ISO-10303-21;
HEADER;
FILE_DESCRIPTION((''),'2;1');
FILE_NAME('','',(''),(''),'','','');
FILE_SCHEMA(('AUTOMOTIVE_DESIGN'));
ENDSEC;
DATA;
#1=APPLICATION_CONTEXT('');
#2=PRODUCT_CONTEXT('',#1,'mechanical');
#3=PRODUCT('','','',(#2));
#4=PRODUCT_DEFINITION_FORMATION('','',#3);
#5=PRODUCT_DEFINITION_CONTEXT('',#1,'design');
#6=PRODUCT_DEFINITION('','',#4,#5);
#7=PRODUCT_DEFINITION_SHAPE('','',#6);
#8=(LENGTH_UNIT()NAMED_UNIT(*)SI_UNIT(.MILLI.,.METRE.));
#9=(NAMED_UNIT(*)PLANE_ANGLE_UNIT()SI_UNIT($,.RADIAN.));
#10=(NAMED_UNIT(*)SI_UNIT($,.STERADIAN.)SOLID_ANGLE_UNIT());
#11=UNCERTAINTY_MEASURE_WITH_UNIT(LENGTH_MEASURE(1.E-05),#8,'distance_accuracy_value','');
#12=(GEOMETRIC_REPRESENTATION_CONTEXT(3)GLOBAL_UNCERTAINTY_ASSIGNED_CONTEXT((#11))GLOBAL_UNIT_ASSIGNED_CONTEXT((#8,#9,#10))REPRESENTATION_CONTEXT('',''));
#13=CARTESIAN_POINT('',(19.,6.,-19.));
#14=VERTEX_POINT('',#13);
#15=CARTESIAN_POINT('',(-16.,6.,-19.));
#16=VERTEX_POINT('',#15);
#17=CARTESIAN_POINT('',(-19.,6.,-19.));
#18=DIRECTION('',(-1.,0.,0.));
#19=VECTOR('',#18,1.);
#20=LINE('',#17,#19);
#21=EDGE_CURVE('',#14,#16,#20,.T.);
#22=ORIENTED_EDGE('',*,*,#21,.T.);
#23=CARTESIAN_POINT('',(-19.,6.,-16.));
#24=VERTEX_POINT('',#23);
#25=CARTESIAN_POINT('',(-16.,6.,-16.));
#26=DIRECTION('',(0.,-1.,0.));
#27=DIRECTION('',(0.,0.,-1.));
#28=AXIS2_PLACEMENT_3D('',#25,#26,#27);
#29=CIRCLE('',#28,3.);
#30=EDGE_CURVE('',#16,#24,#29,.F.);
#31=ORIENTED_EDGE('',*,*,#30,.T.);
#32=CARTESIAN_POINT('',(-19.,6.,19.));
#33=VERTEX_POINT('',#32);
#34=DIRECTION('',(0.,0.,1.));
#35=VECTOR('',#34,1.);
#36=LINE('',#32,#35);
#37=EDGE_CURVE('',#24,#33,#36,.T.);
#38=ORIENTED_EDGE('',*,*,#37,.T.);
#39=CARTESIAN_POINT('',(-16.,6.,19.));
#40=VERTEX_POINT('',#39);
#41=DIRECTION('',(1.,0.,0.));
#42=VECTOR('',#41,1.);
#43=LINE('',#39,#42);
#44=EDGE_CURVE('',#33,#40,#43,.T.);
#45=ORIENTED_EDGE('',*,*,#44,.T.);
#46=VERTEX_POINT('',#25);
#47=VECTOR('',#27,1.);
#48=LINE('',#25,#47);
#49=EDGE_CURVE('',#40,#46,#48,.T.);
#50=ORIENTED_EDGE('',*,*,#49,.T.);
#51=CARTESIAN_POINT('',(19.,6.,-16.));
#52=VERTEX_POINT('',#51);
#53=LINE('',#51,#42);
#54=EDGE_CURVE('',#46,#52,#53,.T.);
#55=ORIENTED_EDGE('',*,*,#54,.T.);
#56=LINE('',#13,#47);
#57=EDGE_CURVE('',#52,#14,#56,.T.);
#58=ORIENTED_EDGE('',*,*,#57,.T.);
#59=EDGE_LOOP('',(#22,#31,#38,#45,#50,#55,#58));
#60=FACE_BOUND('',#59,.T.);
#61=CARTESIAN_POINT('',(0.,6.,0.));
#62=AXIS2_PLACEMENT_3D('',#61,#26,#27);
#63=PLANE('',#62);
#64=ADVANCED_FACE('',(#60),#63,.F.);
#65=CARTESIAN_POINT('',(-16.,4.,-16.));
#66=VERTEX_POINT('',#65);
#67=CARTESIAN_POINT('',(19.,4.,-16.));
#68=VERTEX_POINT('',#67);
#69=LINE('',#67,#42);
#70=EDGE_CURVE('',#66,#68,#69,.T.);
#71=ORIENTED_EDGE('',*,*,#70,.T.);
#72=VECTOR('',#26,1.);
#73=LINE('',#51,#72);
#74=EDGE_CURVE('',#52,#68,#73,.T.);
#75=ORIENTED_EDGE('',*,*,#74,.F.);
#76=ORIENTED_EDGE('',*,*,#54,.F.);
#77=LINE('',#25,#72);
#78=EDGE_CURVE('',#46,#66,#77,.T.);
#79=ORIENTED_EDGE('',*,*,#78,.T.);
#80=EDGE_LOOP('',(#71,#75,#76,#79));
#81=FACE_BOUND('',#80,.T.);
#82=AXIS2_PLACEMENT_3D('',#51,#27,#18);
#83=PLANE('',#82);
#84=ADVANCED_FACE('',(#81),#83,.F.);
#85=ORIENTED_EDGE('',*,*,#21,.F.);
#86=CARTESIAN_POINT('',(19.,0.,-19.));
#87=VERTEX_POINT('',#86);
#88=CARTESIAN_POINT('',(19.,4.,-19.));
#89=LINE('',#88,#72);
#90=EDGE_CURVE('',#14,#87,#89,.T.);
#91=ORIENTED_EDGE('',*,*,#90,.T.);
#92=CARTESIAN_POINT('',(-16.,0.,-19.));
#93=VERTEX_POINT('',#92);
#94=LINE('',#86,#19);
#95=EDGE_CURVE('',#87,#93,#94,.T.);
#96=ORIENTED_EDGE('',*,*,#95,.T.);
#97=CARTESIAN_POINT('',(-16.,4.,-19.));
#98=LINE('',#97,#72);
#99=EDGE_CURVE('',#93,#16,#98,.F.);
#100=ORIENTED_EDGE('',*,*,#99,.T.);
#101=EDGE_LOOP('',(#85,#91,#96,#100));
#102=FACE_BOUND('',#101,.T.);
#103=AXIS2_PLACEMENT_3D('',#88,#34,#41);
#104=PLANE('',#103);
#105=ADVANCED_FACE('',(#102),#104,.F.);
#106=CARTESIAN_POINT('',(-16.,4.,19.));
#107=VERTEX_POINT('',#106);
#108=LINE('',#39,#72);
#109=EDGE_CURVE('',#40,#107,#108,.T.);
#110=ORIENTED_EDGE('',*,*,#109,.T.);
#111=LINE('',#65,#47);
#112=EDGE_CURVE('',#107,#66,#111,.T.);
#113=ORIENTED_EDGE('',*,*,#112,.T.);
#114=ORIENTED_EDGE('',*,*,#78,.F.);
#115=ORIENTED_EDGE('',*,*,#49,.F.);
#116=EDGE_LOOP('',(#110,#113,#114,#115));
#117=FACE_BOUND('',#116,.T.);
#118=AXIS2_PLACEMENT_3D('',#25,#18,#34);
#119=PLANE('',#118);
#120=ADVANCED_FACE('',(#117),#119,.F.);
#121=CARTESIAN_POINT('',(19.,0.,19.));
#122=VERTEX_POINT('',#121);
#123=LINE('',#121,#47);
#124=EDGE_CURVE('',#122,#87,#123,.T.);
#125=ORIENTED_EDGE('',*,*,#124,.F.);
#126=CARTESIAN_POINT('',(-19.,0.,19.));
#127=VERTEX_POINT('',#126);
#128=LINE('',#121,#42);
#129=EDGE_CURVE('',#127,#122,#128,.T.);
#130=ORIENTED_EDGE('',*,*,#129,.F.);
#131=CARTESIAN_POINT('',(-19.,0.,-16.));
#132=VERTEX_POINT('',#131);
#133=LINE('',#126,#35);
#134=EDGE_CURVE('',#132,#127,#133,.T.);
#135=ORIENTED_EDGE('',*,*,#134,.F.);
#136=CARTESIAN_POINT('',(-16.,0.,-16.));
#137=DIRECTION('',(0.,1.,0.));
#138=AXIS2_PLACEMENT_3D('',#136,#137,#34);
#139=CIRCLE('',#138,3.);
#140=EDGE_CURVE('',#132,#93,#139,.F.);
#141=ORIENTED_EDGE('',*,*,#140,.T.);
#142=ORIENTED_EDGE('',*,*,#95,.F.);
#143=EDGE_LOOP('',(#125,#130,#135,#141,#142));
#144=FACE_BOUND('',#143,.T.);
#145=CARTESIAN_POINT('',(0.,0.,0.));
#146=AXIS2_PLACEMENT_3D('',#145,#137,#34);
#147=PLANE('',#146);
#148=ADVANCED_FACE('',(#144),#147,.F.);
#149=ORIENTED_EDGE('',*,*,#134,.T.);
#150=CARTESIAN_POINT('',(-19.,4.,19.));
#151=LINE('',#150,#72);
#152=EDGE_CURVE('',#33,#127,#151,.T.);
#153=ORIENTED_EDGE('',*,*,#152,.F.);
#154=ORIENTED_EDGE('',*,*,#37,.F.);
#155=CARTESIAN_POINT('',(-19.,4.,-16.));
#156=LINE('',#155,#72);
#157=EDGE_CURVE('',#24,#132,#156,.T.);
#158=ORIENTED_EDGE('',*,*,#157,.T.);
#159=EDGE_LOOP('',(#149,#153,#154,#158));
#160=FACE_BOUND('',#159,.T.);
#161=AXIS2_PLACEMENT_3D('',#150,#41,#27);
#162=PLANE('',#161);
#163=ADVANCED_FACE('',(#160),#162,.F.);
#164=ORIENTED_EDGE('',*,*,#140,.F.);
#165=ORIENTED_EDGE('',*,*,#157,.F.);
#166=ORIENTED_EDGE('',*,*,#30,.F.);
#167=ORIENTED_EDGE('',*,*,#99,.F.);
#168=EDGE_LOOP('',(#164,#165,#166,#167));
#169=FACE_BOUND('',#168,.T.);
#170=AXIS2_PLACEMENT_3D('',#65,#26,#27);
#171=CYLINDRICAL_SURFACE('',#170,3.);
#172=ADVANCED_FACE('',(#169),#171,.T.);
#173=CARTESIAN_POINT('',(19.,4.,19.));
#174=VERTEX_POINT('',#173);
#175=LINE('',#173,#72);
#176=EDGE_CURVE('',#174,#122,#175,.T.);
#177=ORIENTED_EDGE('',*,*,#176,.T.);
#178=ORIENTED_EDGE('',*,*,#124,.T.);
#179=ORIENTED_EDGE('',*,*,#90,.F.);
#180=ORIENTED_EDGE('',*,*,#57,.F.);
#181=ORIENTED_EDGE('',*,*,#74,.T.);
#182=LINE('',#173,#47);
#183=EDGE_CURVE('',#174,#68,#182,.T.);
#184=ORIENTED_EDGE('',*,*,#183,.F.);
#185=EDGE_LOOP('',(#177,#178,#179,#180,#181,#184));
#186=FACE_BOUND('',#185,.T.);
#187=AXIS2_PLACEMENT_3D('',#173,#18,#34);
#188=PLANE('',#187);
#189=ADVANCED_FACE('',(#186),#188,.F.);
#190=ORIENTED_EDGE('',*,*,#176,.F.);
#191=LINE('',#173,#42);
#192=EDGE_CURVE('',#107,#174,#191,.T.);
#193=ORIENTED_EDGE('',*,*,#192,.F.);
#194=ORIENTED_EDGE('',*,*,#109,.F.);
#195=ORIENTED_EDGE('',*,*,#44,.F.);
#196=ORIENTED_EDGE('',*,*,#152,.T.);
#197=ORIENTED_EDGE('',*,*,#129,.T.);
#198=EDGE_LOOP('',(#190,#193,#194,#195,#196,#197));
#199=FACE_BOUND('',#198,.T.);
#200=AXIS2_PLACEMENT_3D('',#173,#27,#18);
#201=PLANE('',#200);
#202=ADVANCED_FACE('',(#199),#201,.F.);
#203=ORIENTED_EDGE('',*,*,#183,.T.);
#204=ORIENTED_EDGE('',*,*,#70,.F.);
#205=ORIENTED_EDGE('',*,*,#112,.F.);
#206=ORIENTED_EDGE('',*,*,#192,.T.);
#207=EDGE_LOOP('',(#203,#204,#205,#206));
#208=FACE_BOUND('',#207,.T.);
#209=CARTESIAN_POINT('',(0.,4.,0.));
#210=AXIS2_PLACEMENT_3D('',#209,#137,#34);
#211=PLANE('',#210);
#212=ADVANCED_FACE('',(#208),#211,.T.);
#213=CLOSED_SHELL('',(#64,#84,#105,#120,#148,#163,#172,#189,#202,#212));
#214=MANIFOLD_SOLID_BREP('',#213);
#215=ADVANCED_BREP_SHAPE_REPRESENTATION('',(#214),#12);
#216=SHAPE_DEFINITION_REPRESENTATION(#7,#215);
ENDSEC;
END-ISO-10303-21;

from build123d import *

# Parameters (mm, degrees)
SKETCH1_W           = 38
SKETCH1_H           = 38
BOSS_EXTRUDE1_DEPTH = 4
BOSS_EXTRUDE2_DEPTH = 2
FILLET1_R           = 3


with BuildPart() as part:
    # Sketch1 → Boss-Extrude1 (new body)
    with BuildSketch(Plane(origin=(0, 0, 0), x_dir=(1, 0, 0), z_dir=(0, 1, 0))):
        Rectangle(SKETCH1_W, SKETCH1_H)
    extrude(amount=BOSS_EXTRUDE1_DEPTH)

    # Sketch2 → Boss-Extrude2 (add)
    with BuildSketch(Plane(origin=(0, 4, 0), x_dir=(1, 0, 0), z_dir=(0, 1, 0))):
        Polygon((-16, -19), (-19, -19), (-19, 19), (19, 19), (19, 16), (-16, 16), align=None)
    extrude(amount=BOSS_EXTRUDE2_DEPTH)

    # Fillet1
    fillet1_edges = [part.edges().sort_by_distance(p)[0] for p in [
        (-19, 3, -19),
    ]]
    fillet(fillet1_edges, radius=FILLET1_R)


solid = part.part
